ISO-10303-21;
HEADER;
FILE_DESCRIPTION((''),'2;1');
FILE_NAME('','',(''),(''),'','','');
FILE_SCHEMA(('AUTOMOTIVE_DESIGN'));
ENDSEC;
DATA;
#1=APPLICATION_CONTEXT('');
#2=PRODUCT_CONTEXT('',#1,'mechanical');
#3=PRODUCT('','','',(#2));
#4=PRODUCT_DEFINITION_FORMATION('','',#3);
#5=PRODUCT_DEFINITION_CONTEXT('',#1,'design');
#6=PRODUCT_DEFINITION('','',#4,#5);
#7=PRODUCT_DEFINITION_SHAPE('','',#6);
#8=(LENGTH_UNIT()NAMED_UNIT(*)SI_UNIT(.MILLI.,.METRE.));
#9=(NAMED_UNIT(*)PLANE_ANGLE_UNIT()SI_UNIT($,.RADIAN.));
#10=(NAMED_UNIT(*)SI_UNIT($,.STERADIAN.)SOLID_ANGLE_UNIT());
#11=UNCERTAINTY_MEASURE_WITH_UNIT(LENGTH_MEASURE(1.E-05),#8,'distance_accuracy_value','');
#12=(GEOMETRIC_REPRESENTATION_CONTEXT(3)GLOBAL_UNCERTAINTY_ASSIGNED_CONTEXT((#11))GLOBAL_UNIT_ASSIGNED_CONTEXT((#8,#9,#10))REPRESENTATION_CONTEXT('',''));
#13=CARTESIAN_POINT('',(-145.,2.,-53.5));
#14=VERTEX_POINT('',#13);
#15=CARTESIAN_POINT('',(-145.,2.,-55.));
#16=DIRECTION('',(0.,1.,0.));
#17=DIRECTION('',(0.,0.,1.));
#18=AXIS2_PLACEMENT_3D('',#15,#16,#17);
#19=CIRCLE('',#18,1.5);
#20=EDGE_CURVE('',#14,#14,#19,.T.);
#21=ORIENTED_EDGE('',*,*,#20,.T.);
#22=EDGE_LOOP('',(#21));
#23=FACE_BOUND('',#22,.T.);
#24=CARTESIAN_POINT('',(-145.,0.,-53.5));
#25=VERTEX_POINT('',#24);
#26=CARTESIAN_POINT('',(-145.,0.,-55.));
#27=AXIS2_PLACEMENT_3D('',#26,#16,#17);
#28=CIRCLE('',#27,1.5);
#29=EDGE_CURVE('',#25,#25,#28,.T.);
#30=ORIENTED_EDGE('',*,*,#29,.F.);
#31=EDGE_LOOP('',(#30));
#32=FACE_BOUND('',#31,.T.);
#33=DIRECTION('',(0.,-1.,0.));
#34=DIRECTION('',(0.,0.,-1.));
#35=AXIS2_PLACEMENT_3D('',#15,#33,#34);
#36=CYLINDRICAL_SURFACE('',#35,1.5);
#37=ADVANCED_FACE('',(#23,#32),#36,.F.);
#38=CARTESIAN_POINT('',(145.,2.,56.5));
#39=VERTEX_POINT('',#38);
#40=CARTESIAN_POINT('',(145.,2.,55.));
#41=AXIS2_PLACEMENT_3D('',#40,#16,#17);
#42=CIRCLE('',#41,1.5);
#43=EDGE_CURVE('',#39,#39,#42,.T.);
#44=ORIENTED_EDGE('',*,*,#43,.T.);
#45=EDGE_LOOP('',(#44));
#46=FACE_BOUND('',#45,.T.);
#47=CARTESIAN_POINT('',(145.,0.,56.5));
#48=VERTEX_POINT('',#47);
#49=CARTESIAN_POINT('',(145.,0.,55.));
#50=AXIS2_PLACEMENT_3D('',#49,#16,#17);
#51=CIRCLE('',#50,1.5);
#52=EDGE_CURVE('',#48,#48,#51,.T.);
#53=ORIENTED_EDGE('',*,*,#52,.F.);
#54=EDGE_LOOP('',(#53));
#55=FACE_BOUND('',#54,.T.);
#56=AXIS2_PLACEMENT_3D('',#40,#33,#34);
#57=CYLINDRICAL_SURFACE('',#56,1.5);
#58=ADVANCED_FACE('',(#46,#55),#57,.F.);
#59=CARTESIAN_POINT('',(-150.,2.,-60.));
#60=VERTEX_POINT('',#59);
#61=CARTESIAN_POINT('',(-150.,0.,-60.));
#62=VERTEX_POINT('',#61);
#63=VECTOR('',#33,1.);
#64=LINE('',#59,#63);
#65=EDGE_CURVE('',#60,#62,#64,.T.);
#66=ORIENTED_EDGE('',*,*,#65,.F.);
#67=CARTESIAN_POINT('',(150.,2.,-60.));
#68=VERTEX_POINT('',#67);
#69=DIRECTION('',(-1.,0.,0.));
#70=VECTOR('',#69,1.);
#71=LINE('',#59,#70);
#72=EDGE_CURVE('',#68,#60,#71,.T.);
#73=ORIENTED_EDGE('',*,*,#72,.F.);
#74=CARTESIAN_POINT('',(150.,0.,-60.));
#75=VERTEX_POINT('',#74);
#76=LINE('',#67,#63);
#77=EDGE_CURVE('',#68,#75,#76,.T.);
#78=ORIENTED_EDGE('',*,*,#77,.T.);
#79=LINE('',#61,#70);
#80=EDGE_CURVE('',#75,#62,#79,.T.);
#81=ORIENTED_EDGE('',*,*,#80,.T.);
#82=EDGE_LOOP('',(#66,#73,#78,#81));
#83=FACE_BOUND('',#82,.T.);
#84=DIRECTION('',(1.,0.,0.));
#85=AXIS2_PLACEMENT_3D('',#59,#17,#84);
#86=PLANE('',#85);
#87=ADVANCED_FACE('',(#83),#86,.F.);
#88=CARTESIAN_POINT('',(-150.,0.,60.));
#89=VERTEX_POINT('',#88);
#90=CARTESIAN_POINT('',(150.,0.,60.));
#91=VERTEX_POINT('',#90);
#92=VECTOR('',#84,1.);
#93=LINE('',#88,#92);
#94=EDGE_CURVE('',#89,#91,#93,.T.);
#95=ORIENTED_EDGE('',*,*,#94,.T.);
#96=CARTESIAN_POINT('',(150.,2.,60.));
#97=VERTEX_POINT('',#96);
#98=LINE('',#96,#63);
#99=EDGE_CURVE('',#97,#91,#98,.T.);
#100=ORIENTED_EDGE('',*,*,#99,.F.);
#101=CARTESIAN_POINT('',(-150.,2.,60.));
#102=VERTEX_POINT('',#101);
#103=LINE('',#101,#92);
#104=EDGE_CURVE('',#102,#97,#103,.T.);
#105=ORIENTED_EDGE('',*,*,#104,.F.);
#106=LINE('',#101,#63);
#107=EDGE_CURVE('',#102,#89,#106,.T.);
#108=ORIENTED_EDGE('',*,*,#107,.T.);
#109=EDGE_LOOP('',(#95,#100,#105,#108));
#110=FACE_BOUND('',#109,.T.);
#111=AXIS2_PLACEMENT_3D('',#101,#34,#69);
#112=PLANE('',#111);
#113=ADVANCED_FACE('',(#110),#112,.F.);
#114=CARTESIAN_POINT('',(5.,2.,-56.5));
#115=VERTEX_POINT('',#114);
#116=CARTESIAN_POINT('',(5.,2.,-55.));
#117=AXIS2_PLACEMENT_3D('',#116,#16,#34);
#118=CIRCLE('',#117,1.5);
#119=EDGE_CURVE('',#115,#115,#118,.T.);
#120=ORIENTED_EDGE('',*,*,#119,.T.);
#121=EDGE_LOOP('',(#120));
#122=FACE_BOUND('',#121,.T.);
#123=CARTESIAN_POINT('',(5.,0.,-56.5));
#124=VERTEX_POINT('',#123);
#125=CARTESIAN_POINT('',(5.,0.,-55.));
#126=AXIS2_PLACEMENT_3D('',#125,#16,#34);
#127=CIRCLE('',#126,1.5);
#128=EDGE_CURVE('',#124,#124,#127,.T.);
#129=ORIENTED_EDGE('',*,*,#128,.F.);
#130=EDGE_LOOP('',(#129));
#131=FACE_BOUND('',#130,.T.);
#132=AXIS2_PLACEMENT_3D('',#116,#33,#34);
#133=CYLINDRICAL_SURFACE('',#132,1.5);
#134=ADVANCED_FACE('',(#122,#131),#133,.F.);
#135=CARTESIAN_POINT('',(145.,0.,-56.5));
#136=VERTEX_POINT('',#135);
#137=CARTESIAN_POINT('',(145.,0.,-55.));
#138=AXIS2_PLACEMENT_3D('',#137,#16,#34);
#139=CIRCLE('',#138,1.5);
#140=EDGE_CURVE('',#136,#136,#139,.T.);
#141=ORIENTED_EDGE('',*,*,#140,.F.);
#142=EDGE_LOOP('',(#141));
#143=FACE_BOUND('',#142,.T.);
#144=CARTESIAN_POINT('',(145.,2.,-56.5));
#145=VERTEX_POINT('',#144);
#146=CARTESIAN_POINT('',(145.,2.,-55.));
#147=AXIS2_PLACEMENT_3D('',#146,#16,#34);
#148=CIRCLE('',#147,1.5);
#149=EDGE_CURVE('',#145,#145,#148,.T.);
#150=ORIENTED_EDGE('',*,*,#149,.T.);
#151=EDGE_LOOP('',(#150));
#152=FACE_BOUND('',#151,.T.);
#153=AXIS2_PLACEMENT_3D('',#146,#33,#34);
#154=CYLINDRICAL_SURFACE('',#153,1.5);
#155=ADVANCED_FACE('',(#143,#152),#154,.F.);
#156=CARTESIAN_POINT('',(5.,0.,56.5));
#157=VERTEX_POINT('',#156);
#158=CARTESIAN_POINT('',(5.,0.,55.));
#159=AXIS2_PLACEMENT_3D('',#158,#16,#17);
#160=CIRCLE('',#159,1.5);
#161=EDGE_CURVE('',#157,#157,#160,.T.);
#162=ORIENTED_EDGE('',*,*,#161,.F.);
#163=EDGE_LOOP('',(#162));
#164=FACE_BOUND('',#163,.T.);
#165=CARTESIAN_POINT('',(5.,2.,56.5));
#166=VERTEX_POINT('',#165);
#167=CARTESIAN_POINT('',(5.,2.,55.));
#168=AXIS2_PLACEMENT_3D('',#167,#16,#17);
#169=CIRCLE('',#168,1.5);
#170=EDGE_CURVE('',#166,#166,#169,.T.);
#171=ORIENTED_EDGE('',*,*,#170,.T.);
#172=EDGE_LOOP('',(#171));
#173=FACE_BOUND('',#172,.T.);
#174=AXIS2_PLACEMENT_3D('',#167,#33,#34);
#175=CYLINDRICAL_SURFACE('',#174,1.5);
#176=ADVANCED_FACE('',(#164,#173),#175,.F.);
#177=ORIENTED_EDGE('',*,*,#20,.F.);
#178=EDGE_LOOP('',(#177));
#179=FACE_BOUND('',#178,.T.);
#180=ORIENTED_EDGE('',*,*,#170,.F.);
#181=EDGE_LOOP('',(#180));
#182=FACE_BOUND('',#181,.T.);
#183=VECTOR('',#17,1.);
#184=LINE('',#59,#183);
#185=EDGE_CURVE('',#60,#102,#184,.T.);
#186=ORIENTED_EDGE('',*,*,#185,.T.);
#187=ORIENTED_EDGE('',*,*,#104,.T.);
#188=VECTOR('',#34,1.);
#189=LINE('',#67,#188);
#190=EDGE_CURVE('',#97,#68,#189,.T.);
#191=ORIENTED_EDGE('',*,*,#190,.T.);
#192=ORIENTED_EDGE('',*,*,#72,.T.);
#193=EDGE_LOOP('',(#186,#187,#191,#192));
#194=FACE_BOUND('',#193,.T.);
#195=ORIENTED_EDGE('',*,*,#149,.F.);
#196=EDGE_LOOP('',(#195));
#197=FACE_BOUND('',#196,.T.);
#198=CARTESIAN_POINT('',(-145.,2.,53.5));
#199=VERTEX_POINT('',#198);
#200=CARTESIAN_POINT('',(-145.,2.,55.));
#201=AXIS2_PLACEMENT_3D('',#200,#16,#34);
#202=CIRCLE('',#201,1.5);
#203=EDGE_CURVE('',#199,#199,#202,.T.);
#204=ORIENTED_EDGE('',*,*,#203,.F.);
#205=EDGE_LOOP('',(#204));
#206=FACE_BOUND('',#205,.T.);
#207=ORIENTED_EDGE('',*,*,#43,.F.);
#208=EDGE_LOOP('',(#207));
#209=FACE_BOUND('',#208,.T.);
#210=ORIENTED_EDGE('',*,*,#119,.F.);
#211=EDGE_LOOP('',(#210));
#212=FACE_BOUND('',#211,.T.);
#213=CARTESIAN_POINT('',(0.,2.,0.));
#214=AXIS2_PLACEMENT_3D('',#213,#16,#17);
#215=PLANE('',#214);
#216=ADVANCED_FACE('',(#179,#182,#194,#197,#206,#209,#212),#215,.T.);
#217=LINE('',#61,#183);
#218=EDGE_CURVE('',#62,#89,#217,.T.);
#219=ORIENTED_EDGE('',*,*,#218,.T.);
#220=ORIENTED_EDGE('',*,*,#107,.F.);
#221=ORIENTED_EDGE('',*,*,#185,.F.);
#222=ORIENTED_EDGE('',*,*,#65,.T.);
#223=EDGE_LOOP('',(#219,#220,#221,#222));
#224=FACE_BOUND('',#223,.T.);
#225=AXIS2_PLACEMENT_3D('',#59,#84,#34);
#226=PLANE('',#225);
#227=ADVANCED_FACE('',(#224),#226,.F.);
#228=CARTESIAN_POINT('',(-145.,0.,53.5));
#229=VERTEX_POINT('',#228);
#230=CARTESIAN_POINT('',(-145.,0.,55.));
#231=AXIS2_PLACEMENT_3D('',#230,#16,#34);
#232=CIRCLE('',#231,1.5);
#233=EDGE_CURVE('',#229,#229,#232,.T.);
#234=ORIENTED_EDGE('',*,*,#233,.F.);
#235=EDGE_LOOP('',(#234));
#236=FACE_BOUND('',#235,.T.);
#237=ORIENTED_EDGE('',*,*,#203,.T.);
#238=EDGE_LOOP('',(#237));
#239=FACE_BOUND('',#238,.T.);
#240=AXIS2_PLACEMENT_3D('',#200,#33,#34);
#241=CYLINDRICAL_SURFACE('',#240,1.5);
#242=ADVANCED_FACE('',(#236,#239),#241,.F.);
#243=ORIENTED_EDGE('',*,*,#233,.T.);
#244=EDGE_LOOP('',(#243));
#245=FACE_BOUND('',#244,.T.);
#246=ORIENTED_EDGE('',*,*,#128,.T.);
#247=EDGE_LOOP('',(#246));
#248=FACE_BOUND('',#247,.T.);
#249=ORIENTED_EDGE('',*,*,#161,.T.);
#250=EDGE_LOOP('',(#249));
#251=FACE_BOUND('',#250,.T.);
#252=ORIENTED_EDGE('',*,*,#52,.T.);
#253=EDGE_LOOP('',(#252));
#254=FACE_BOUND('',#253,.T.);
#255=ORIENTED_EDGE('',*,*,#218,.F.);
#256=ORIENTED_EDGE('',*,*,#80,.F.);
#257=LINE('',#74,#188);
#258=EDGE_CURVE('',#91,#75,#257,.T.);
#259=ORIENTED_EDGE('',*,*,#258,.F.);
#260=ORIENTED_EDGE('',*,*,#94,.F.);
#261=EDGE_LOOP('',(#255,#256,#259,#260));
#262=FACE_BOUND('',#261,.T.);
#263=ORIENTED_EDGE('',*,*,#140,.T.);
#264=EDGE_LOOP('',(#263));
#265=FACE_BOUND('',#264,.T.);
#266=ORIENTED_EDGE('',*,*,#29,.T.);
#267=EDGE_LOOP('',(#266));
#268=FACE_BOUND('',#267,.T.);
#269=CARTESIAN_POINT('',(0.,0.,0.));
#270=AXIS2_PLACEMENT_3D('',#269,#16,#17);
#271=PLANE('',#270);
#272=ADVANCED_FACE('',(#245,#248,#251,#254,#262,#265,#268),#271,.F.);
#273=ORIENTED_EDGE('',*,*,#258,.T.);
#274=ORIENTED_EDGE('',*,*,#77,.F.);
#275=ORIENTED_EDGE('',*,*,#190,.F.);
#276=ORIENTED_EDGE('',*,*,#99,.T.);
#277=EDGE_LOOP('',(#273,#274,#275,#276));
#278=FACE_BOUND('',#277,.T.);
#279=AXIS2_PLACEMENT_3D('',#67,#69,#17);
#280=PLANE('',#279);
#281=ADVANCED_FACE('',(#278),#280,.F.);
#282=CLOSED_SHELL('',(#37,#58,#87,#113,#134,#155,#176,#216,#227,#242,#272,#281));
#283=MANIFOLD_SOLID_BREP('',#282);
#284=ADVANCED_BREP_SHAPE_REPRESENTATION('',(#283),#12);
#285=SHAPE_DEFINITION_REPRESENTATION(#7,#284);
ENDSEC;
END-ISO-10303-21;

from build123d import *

# Parameters (mm, degrees)
SKETCH1_W           = 300
SKETCH1_H           = 120
SKETCH1_R           = 1.5
BOSS_EXTRUDE1_DEPTH = 2


with BuildPart() as part:
    # Sketch1 → Boss-Extrude1 (new body)
    with BuildSketch(Plane(origin=(0, 0, 0), x_dir=(1, 0, 0), z_dir=(0, 1, 0))):
        Rectangle(SKETCH1_W, SKETCH1_H)
        with Locations(Location((-145, 55, 0), (0, 0, 270))):
            Circle(SKETCH1_R, mode=Mode.SUBTRACT)
        with Locations(Location((145, 55, 0), (0, 0, 90))):
            Circle(SKETCH1_R, mode=Mode.SUBTRACT)
        with Locations(Location((-145, -55, 0), (0, 0, 90))):
            Circle(SKETCH1_R, mode=Mode.SUBTRACT)
        with Locations(Location((145, -55, 0), (0, 0, 270))):
            Circle(SKETCH1_R, mode=Mode.SUBTRACT)
        with Locations(Location((5, -55, 0), (0, 0, 270))):
            Circle(SKETCH1_R, mode=Mode.SUBTRACT)
        with Locations(Location((5, 55, 0), (0, 0, 90))):
            Circle(SKETCH1_R, mode=Mode.SUBTRACT)
    extrude(amount=BOSS_EXTRUDE1_DEPTH)


solid = part.part
